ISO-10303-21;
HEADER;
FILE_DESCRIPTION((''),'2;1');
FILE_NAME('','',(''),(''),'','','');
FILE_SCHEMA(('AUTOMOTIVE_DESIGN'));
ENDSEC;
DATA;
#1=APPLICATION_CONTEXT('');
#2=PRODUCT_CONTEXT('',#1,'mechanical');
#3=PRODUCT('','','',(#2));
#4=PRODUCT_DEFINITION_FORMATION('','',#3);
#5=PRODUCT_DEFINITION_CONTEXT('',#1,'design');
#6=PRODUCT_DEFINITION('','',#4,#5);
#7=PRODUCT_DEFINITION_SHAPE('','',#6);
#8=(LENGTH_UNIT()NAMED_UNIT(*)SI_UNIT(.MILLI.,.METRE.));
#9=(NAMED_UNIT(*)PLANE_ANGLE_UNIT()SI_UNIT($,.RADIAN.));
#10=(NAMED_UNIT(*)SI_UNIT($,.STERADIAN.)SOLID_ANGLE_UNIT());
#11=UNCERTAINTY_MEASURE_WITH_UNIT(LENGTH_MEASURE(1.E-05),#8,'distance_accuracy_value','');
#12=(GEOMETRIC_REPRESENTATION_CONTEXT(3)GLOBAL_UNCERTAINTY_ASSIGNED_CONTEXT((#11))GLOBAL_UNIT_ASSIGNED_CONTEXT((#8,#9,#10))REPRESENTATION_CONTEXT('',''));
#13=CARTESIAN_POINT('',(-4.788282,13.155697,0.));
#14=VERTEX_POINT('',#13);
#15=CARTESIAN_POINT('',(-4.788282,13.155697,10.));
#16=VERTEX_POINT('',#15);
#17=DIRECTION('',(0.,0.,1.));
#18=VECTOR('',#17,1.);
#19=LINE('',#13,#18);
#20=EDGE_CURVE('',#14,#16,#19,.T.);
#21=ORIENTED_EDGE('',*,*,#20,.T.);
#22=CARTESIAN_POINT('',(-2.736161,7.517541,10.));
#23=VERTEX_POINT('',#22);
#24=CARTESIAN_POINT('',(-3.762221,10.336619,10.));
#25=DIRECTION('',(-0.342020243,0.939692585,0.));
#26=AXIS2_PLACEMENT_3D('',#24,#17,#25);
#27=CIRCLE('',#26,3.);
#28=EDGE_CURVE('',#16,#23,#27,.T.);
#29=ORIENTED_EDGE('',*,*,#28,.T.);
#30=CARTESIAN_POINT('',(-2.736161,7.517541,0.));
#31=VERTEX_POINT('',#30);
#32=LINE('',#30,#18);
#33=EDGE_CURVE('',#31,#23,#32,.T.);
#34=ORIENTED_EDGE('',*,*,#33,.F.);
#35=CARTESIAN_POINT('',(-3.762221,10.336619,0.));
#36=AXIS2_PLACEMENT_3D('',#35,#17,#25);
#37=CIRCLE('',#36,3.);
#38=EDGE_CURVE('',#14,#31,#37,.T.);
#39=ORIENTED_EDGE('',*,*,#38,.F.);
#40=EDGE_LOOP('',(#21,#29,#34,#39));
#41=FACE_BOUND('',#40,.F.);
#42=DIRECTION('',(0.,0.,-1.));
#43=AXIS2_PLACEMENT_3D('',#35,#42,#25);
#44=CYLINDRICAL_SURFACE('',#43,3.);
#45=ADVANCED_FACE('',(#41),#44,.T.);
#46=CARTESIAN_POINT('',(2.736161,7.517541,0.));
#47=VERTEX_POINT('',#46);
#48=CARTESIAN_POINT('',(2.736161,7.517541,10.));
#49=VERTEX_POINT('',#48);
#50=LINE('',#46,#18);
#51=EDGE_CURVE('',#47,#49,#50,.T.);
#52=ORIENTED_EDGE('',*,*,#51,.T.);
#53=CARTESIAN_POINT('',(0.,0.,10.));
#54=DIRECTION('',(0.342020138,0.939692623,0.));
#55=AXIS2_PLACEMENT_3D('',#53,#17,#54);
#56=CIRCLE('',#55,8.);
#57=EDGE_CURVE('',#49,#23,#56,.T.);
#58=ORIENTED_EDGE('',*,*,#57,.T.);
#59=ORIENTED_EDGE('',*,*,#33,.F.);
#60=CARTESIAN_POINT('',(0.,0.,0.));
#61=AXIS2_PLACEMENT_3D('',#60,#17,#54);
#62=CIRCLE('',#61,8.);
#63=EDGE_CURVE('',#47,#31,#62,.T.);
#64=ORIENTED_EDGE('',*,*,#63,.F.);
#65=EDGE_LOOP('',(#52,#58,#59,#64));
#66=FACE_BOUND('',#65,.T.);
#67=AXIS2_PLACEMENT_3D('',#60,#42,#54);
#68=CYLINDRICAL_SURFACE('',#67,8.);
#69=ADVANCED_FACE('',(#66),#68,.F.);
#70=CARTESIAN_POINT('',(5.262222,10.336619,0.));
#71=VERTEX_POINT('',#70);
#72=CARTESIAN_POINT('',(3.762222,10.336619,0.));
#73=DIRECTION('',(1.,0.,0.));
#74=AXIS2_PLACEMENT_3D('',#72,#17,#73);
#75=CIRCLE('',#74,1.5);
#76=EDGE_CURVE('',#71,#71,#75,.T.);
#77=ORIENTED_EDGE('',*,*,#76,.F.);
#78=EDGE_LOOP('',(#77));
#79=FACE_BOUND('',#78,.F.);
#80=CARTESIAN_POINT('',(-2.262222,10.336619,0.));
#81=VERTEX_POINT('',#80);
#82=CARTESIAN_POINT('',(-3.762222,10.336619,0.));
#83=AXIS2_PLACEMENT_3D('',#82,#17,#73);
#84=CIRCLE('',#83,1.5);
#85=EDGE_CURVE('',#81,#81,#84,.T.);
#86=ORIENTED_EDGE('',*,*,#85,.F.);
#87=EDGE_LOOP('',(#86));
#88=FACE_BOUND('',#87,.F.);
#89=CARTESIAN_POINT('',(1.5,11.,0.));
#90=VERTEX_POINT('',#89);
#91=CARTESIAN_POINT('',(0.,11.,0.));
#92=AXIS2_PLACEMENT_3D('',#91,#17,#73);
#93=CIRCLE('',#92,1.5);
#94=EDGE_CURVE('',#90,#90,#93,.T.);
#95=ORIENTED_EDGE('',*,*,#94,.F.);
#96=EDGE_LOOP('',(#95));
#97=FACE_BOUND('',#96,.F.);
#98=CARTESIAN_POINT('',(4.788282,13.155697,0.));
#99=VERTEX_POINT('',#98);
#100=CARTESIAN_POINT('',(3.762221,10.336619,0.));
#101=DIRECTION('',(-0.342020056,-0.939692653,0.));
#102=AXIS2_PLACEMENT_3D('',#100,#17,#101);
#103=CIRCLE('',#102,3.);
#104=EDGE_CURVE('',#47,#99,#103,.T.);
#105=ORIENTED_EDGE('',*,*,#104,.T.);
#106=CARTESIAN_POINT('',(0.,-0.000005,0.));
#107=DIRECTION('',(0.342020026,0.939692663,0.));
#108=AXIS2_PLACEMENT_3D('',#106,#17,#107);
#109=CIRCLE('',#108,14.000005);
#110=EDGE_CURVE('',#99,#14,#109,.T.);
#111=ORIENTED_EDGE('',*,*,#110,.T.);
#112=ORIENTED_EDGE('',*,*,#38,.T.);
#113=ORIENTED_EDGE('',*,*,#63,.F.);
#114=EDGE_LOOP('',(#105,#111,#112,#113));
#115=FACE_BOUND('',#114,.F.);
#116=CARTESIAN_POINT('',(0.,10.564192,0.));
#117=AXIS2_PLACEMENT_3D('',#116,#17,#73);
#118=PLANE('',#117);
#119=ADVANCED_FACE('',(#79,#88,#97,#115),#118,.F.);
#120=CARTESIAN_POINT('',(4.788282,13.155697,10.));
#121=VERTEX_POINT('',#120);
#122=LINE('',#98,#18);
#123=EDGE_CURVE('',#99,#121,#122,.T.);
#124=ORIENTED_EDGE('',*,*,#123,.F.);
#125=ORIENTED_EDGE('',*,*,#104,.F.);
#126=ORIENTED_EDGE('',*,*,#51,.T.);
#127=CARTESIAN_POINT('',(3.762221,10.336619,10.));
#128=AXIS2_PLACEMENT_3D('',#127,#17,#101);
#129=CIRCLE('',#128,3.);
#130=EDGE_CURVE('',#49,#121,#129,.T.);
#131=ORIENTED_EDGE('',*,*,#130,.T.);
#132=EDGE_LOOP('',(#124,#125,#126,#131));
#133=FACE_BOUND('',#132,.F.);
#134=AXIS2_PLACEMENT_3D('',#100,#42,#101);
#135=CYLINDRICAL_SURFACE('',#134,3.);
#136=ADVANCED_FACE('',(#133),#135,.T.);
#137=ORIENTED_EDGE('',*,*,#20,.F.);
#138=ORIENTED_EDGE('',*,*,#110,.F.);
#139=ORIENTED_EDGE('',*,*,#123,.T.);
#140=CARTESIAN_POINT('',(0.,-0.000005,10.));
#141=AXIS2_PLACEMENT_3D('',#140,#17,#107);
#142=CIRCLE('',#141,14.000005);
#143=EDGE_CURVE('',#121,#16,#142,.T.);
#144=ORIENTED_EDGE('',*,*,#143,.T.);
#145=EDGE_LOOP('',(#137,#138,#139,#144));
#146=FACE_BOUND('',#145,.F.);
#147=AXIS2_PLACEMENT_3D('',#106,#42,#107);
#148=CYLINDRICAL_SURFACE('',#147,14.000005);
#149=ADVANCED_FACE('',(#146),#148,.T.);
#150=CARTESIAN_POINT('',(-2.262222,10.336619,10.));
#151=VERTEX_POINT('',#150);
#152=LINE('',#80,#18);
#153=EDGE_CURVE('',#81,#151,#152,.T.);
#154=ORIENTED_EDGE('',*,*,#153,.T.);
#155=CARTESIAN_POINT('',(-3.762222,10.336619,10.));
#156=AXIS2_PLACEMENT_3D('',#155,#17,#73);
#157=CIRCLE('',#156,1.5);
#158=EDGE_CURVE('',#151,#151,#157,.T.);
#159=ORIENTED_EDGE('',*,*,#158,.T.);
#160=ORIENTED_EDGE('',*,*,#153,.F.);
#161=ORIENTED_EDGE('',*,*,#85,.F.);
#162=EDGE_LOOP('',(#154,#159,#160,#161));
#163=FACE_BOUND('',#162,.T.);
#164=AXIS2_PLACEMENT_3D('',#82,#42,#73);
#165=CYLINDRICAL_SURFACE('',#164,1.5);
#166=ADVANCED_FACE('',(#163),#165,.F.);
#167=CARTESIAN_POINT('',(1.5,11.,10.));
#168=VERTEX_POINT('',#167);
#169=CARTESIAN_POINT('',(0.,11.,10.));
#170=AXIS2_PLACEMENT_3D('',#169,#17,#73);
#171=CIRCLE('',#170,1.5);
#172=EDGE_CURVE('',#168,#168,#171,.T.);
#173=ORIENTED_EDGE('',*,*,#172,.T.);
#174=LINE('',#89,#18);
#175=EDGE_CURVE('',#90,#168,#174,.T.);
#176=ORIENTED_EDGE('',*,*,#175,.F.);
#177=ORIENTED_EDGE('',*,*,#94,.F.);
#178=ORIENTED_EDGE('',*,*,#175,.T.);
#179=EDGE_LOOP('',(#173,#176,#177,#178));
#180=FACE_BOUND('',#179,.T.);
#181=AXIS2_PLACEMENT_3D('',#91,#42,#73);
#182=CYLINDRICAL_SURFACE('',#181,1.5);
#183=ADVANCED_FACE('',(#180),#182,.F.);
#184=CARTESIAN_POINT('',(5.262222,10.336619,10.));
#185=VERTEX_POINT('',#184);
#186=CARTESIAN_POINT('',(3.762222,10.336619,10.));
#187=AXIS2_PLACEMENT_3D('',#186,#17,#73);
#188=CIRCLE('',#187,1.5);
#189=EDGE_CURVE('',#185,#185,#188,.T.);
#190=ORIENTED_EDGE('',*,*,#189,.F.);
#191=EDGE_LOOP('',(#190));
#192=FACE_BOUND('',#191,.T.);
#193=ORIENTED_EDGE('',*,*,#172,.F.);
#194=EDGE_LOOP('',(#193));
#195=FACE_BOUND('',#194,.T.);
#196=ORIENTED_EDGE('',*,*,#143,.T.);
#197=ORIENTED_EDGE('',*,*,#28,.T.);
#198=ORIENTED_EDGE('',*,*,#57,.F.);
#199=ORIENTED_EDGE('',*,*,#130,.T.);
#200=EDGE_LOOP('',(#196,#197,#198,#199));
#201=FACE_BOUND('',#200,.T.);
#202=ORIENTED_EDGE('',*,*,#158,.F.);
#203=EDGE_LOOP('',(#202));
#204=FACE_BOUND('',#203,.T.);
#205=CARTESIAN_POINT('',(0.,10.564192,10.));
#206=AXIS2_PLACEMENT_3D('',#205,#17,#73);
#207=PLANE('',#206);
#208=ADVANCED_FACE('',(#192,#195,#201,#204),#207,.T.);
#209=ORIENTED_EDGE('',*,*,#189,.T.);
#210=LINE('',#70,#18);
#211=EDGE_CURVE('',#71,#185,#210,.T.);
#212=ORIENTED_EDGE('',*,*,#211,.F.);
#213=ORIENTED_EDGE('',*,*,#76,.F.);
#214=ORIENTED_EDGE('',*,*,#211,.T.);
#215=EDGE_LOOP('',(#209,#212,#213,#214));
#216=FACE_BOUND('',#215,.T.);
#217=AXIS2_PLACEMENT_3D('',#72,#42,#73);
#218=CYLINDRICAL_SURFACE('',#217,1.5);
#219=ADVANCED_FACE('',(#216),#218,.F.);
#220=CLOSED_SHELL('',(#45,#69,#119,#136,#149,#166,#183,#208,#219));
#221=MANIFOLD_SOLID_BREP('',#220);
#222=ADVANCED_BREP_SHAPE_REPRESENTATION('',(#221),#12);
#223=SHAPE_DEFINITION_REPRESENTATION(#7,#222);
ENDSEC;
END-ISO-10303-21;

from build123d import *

# Parameters (mm, degrees)
SKETCH_R  = 1.5
PAD_DEPTH = 10


with BuildPart() as part:
    # Sketch → Pad (new body)
    with BuildSketch(Plane.XY):
        with BuildLine():
            ThreePointArc((-4.788282, 13.155697), (-6.581299, 9.310558), (-2.736161, 7.517541))
            ThreePointArc((2.736161, 7.517541), (0, 8), (-2.736161, 7.517541))
            ThreePointArc((2.736161, 7.517541), (6.581299, 9.310558), (4.788282, 13.155697))
            ThreePointArc((4.788282, 13.155697), (0, 14), (-4.788282, 13.155697))
        make_face()
        with Locations((-3.762222, 10.336619)):
            Circle(SKETCH_R, mode=Mode.SUBTRACT)
        with Locations((3.762222, 10.336619)):
            Circle(SKETCH_R, mode=Mode.SUBTRACT)
        with Locations((0, 11)):
            Circle(SKETCH_R, mode=Mode.SUBTRACT)
    extrude(amount=PAD_DEPTH)


solid = part.part
